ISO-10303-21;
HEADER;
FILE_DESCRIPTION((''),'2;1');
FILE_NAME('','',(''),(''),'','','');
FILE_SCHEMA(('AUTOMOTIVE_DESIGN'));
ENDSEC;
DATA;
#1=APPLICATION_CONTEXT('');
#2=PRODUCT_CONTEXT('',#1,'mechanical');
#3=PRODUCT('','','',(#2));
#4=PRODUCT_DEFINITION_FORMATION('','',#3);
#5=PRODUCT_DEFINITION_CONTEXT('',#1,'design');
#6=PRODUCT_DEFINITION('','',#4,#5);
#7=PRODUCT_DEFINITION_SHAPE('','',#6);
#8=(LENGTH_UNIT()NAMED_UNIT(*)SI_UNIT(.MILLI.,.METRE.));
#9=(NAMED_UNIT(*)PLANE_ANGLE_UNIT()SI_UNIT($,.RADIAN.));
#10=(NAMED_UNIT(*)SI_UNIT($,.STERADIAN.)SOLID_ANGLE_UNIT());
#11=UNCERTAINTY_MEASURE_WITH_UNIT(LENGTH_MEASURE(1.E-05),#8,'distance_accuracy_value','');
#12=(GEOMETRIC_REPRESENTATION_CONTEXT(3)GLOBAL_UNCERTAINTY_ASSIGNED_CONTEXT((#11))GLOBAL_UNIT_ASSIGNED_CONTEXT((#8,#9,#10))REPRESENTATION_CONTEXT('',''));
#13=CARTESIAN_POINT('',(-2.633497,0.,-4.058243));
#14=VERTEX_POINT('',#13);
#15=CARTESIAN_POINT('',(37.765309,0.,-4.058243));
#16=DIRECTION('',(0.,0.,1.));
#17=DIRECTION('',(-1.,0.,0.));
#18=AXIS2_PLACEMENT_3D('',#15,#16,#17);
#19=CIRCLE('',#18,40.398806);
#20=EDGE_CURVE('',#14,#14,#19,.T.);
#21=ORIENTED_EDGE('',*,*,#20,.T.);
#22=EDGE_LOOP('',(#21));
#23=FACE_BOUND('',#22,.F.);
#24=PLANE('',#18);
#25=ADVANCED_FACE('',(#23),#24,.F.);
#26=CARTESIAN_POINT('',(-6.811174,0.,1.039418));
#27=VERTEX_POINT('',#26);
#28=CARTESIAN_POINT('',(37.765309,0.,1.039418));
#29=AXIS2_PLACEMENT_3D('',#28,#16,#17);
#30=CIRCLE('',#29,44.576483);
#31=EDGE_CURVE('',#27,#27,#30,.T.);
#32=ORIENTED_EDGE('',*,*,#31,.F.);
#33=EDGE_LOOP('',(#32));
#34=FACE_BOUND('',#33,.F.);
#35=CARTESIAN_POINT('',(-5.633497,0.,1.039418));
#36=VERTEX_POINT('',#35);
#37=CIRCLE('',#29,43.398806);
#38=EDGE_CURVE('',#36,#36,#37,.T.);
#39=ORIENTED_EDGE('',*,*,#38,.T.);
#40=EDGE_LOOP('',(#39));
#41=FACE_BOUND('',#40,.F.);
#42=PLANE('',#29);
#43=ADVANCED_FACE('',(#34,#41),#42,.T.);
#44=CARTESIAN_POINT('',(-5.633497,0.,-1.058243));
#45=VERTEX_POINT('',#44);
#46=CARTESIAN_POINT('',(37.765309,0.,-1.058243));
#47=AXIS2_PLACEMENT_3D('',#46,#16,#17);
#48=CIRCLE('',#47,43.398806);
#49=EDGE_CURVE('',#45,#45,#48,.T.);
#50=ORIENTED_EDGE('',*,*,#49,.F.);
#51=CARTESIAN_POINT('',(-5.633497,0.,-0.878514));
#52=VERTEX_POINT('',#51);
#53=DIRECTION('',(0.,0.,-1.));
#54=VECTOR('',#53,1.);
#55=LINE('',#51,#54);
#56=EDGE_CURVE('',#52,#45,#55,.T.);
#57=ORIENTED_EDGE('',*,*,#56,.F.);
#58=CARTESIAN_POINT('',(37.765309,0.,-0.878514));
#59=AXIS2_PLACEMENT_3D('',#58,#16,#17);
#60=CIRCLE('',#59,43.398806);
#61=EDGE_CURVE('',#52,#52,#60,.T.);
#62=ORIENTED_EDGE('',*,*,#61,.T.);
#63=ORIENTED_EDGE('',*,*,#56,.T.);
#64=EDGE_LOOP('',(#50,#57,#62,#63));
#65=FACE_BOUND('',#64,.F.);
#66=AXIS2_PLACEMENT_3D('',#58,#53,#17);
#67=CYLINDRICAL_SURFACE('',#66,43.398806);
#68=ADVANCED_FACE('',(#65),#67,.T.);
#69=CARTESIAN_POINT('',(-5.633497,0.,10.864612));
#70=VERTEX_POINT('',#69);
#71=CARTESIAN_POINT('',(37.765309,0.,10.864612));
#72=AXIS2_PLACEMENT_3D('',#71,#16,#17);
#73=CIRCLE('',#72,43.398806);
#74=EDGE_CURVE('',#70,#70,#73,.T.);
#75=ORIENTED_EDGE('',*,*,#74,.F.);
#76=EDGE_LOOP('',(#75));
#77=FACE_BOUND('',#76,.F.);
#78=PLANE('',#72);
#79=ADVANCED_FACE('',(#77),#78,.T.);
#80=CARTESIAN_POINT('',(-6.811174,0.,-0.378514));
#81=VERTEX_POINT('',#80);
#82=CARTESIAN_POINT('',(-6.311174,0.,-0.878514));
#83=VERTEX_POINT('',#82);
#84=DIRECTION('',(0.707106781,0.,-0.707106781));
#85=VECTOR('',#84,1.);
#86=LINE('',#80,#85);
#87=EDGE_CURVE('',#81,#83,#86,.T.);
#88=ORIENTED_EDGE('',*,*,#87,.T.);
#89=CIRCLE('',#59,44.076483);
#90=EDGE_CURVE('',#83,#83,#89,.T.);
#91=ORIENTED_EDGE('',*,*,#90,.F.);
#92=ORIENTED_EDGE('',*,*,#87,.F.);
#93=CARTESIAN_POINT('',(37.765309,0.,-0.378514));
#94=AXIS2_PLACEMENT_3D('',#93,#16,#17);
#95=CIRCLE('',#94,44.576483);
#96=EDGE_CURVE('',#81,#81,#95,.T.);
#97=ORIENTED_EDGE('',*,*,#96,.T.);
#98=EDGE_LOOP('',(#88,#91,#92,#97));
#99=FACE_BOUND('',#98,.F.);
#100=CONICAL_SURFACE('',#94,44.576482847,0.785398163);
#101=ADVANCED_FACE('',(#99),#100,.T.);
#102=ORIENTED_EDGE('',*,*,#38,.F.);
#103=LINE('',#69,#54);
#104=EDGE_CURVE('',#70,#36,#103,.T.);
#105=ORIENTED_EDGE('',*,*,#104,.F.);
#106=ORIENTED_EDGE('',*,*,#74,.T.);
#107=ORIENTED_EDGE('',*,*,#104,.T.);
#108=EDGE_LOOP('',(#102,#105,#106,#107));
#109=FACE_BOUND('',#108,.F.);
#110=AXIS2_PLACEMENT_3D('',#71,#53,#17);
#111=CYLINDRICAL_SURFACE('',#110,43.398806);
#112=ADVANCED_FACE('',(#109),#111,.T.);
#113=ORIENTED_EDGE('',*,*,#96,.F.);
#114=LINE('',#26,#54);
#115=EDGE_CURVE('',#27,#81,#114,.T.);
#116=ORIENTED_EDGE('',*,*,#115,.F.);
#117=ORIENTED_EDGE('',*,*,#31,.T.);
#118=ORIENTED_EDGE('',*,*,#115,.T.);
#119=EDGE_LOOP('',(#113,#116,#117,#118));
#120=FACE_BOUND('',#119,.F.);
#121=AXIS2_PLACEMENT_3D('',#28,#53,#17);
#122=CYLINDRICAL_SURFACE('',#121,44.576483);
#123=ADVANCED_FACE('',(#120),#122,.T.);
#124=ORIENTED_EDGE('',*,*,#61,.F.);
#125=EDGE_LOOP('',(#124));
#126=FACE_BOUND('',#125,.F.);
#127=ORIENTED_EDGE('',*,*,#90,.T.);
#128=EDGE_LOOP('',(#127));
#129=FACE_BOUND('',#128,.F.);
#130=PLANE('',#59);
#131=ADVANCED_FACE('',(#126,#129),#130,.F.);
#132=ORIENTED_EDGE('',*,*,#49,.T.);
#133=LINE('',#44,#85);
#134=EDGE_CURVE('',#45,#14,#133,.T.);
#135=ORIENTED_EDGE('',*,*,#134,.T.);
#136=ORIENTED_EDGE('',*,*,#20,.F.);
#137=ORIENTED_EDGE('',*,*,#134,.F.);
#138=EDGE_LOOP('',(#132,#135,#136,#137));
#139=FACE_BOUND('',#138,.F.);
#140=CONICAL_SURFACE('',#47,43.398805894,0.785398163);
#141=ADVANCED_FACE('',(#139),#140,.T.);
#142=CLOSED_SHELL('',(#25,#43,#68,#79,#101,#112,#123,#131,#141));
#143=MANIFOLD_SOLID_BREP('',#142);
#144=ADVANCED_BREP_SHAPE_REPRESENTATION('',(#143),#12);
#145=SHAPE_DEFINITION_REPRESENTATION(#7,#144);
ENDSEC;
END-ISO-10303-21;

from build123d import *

# Parameters (mm, degrees)
F3_SIZE = 0.5
F4_SIZE = 3


with BuildPart() as f2:
    # F1 (on face) → F2 (revolve)
    with BuildSketch(Plane.XZ):
        Polygon((37.7653092146, 10.8646117151), (-5.6334966794, 10.8646117151), (-5.6334966794, 1.0394179262), (-6.8111736327, 1.0394179262), (-6.8111736327, -0.8785137325), (-5.6334966794, -0.8785137325), (-5.6334966794, -4.0582427464), (37.7653092146, -4.0582427464), align=None)
    revolve(axis=Axis((37.7653092146, 0, 3.4031844843), (0, 0, 1)))

    # F3
    f3_edges = [f2.edges().sort_by_distance(p)[0] for p in [
        (82.341792, 0, -0.878514),
    ]]
    chamfer(f3_edges, length=F3_SIZE)

    # F4
    f4_edges = [f2.edges().sort_by_distance(p)[0] for p in [
        (81.164115, 0, -4.058243),
    ]]
    chamfer(f4_edges, length=F4_SIZE)


solid = f2.part
